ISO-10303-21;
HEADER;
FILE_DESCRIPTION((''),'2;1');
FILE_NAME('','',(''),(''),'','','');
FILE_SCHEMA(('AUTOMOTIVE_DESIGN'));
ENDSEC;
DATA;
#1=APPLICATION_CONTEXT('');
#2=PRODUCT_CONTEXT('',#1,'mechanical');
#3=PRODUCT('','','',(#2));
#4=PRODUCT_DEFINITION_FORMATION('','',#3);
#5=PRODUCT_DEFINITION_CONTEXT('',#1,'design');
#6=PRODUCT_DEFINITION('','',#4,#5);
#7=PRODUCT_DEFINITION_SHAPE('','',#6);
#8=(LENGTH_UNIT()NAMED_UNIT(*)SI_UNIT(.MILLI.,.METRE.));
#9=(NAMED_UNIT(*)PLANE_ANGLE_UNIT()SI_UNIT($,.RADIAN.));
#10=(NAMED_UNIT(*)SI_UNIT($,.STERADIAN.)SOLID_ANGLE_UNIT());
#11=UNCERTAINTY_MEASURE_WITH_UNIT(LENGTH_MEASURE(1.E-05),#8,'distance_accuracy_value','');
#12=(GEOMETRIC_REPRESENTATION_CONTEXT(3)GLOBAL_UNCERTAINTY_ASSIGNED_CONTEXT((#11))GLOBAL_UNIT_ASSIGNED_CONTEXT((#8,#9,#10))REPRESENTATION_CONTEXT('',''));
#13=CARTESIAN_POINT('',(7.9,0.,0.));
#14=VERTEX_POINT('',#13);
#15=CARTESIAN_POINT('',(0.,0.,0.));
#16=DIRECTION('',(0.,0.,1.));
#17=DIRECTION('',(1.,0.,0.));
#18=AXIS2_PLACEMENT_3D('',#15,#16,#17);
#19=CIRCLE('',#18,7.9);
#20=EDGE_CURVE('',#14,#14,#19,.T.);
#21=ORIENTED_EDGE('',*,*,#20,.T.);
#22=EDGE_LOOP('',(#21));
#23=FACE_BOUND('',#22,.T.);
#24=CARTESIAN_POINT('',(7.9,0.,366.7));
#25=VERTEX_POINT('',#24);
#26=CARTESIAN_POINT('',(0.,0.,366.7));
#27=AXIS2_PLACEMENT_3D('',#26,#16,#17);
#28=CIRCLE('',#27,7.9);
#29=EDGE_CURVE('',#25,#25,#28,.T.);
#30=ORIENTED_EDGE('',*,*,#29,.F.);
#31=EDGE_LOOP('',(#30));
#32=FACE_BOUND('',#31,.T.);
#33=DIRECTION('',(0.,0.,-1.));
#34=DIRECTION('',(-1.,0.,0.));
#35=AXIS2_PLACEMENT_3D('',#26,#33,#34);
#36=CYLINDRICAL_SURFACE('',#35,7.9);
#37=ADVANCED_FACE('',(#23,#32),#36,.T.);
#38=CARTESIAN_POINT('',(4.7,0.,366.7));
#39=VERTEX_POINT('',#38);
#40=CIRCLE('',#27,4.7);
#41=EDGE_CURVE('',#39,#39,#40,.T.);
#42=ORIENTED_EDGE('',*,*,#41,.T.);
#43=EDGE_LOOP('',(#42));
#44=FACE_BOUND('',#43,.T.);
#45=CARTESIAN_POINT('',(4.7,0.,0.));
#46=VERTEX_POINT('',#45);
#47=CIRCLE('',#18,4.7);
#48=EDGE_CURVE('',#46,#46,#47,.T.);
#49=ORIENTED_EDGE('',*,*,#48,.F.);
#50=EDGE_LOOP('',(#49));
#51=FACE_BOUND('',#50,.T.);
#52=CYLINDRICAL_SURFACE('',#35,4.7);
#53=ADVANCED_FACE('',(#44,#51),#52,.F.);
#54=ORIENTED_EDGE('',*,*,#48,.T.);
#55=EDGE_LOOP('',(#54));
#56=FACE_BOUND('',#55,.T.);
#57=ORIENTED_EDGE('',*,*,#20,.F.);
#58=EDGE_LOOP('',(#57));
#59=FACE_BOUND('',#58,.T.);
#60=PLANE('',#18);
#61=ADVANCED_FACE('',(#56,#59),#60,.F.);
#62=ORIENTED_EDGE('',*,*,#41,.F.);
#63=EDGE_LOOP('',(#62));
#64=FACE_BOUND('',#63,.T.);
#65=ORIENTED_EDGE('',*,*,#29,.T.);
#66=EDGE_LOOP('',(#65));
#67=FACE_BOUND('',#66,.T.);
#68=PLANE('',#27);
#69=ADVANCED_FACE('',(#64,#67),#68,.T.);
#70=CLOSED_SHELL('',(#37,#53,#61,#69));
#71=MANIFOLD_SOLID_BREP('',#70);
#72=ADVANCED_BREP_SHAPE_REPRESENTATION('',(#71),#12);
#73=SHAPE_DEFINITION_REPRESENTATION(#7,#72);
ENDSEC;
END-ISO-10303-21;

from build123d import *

# Parameters (mm, degrees)
SKETCH1_R           = 7.9
SKETCH1_R_2         = 4.7
BOSS_EXTRUDE1_DEPTH = 366.7


with BuildPart() as part:
    # Sketch1 → Boss-Extrude1 (new body)
    with BuildSketch(Plane.XY):
        Circle(SKETCH1_R)
        Circle(SKETCH1_R_2, mode=Mode.SUBTRACT)
    extrude(amount=BOSS_EXTRUDE1_DEPTH)


solid = part.part
